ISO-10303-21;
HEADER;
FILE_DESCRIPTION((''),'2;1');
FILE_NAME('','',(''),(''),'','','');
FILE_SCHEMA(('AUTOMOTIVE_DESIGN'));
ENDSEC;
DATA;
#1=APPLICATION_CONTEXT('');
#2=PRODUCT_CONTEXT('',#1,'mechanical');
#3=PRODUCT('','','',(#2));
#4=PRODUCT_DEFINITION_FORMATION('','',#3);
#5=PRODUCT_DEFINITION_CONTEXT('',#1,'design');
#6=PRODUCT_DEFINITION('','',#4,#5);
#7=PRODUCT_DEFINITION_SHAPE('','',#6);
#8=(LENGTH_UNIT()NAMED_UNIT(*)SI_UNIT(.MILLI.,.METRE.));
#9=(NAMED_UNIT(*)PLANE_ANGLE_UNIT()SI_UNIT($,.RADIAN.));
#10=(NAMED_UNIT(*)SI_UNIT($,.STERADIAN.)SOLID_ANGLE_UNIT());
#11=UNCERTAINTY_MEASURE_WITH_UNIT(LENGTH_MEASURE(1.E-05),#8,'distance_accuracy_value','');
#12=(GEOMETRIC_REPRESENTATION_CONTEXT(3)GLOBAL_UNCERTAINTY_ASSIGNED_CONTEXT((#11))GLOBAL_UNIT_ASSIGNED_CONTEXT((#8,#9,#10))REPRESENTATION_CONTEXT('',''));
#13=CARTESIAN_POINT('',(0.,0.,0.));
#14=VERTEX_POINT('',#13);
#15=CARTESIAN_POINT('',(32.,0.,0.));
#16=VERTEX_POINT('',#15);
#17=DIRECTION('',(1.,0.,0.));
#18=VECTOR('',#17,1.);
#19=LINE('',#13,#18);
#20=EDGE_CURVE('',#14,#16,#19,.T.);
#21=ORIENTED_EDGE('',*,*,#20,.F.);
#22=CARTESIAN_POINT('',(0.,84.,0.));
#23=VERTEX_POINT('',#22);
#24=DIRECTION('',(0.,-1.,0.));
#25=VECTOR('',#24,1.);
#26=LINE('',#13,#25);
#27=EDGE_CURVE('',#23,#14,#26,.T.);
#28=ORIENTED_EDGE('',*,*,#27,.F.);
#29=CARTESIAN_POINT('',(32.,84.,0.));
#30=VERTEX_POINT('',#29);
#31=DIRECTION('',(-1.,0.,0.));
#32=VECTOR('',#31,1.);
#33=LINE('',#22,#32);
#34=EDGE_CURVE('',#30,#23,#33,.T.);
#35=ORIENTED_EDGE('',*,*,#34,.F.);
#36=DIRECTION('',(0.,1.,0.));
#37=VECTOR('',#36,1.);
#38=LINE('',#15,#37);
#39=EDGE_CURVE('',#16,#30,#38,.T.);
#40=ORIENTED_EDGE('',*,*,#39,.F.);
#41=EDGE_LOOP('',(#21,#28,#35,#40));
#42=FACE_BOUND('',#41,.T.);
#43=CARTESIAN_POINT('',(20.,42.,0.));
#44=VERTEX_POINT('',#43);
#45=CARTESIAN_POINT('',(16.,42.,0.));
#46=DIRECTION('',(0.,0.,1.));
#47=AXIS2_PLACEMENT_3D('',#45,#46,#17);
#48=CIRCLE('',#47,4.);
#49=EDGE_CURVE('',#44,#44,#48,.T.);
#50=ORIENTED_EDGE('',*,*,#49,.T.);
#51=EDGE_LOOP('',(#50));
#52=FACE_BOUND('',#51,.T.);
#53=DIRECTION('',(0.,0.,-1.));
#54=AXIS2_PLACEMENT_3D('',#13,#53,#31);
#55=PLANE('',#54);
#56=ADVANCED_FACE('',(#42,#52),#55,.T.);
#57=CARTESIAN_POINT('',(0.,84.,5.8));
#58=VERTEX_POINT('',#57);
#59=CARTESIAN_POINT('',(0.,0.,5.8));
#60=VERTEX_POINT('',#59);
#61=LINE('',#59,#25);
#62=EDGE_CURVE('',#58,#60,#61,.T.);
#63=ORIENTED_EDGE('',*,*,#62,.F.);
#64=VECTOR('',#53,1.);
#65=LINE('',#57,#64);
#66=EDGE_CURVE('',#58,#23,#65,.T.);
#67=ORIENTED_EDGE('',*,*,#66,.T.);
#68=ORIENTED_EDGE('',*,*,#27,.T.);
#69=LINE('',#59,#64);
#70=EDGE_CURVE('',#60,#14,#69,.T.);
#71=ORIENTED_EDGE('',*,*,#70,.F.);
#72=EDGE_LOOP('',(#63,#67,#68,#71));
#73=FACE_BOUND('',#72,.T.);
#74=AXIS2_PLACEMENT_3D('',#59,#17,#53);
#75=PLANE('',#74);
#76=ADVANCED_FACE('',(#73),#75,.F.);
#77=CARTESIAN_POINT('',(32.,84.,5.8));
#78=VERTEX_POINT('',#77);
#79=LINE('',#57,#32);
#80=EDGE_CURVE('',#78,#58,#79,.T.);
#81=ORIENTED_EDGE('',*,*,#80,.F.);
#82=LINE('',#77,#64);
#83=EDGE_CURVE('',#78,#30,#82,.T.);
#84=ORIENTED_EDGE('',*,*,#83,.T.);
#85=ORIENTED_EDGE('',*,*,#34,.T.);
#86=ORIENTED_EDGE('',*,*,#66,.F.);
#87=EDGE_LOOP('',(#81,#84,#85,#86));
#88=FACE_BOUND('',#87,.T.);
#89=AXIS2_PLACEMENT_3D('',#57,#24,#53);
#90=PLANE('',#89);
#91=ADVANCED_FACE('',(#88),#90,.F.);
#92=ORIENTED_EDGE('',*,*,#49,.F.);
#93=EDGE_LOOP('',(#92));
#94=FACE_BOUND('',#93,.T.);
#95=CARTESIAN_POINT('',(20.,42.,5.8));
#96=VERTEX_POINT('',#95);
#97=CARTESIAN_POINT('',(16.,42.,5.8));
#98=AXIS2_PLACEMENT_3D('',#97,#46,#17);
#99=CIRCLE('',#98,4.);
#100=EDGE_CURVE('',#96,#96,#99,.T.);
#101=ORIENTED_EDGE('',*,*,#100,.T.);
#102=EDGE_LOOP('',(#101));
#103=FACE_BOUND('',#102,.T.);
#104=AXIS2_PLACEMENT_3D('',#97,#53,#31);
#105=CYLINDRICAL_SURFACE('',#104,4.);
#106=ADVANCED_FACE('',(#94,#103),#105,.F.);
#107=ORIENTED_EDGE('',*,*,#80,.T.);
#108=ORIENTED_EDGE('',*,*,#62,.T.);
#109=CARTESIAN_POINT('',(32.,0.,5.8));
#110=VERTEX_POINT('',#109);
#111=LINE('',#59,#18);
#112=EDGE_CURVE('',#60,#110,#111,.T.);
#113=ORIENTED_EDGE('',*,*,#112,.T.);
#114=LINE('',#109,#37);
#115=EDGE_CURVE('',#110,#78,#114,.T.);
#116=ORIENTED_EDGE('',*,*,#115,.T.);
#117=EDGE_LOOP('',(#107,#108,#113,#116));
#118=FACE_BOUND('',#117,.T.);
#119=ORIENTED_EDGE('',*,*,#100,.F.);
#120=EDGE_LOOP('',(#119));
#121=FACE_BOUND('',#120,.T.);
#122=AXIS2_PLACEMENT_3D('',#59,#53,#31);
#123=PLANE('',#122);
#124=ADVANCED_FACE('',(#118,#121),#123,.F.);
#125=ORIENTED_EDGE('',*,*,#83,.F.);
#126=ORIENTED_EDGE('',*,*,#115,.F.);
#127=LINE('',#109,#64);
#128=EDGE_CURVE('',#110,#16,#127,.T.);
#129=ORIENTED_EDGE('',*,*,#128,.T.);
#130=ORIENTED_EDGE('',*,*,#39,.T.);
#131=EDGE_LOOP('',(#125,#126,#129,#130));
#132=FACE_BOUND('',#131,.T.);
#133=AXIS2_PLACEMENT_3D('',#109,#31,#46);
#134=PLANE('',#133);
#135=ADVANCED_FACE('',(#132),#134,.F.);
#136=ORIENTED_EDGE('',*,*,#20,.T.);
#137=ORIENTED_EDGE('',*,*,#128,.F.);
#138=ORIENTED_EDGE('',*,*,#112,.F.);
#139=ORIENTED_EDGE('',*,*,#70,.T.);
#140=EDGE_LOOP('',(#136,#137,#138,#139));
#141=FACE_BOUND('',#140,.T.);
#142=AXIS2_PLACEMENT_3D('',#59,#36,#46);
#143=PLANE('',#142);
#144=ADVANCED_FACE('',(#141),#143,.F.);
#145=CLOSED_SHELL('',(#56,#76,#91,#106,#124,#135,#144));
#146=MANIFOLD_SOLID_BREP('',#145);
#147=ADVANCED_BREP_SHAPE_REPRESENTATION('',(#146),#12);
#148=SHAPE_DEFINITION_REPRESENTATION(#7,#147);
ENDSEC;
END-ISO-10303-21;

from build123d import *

# Parameters (mm, degrees)
SKETCH_1_W      = 32
SKETCH_1_H      = 84
SKETCH_1_R      = 4
EXTRUDE_1_DEPTH = 5.8


with BuildPart() as part:
    # Эскиз1 → Бобышка-Вытянуть1 (new body)
    with BuildSketch(Plane.XY):
        with Locations((16, 42)):
            Rectangle(SKETCH_1_W, SKETCH_1_H)
        with Locations((16, 42)):
            Circle(SKETCH_1_R, mode=Mode.SUBTRACT)
    extrude(amount=EXTRUDE_1_DEPTH)


solid = part.part
